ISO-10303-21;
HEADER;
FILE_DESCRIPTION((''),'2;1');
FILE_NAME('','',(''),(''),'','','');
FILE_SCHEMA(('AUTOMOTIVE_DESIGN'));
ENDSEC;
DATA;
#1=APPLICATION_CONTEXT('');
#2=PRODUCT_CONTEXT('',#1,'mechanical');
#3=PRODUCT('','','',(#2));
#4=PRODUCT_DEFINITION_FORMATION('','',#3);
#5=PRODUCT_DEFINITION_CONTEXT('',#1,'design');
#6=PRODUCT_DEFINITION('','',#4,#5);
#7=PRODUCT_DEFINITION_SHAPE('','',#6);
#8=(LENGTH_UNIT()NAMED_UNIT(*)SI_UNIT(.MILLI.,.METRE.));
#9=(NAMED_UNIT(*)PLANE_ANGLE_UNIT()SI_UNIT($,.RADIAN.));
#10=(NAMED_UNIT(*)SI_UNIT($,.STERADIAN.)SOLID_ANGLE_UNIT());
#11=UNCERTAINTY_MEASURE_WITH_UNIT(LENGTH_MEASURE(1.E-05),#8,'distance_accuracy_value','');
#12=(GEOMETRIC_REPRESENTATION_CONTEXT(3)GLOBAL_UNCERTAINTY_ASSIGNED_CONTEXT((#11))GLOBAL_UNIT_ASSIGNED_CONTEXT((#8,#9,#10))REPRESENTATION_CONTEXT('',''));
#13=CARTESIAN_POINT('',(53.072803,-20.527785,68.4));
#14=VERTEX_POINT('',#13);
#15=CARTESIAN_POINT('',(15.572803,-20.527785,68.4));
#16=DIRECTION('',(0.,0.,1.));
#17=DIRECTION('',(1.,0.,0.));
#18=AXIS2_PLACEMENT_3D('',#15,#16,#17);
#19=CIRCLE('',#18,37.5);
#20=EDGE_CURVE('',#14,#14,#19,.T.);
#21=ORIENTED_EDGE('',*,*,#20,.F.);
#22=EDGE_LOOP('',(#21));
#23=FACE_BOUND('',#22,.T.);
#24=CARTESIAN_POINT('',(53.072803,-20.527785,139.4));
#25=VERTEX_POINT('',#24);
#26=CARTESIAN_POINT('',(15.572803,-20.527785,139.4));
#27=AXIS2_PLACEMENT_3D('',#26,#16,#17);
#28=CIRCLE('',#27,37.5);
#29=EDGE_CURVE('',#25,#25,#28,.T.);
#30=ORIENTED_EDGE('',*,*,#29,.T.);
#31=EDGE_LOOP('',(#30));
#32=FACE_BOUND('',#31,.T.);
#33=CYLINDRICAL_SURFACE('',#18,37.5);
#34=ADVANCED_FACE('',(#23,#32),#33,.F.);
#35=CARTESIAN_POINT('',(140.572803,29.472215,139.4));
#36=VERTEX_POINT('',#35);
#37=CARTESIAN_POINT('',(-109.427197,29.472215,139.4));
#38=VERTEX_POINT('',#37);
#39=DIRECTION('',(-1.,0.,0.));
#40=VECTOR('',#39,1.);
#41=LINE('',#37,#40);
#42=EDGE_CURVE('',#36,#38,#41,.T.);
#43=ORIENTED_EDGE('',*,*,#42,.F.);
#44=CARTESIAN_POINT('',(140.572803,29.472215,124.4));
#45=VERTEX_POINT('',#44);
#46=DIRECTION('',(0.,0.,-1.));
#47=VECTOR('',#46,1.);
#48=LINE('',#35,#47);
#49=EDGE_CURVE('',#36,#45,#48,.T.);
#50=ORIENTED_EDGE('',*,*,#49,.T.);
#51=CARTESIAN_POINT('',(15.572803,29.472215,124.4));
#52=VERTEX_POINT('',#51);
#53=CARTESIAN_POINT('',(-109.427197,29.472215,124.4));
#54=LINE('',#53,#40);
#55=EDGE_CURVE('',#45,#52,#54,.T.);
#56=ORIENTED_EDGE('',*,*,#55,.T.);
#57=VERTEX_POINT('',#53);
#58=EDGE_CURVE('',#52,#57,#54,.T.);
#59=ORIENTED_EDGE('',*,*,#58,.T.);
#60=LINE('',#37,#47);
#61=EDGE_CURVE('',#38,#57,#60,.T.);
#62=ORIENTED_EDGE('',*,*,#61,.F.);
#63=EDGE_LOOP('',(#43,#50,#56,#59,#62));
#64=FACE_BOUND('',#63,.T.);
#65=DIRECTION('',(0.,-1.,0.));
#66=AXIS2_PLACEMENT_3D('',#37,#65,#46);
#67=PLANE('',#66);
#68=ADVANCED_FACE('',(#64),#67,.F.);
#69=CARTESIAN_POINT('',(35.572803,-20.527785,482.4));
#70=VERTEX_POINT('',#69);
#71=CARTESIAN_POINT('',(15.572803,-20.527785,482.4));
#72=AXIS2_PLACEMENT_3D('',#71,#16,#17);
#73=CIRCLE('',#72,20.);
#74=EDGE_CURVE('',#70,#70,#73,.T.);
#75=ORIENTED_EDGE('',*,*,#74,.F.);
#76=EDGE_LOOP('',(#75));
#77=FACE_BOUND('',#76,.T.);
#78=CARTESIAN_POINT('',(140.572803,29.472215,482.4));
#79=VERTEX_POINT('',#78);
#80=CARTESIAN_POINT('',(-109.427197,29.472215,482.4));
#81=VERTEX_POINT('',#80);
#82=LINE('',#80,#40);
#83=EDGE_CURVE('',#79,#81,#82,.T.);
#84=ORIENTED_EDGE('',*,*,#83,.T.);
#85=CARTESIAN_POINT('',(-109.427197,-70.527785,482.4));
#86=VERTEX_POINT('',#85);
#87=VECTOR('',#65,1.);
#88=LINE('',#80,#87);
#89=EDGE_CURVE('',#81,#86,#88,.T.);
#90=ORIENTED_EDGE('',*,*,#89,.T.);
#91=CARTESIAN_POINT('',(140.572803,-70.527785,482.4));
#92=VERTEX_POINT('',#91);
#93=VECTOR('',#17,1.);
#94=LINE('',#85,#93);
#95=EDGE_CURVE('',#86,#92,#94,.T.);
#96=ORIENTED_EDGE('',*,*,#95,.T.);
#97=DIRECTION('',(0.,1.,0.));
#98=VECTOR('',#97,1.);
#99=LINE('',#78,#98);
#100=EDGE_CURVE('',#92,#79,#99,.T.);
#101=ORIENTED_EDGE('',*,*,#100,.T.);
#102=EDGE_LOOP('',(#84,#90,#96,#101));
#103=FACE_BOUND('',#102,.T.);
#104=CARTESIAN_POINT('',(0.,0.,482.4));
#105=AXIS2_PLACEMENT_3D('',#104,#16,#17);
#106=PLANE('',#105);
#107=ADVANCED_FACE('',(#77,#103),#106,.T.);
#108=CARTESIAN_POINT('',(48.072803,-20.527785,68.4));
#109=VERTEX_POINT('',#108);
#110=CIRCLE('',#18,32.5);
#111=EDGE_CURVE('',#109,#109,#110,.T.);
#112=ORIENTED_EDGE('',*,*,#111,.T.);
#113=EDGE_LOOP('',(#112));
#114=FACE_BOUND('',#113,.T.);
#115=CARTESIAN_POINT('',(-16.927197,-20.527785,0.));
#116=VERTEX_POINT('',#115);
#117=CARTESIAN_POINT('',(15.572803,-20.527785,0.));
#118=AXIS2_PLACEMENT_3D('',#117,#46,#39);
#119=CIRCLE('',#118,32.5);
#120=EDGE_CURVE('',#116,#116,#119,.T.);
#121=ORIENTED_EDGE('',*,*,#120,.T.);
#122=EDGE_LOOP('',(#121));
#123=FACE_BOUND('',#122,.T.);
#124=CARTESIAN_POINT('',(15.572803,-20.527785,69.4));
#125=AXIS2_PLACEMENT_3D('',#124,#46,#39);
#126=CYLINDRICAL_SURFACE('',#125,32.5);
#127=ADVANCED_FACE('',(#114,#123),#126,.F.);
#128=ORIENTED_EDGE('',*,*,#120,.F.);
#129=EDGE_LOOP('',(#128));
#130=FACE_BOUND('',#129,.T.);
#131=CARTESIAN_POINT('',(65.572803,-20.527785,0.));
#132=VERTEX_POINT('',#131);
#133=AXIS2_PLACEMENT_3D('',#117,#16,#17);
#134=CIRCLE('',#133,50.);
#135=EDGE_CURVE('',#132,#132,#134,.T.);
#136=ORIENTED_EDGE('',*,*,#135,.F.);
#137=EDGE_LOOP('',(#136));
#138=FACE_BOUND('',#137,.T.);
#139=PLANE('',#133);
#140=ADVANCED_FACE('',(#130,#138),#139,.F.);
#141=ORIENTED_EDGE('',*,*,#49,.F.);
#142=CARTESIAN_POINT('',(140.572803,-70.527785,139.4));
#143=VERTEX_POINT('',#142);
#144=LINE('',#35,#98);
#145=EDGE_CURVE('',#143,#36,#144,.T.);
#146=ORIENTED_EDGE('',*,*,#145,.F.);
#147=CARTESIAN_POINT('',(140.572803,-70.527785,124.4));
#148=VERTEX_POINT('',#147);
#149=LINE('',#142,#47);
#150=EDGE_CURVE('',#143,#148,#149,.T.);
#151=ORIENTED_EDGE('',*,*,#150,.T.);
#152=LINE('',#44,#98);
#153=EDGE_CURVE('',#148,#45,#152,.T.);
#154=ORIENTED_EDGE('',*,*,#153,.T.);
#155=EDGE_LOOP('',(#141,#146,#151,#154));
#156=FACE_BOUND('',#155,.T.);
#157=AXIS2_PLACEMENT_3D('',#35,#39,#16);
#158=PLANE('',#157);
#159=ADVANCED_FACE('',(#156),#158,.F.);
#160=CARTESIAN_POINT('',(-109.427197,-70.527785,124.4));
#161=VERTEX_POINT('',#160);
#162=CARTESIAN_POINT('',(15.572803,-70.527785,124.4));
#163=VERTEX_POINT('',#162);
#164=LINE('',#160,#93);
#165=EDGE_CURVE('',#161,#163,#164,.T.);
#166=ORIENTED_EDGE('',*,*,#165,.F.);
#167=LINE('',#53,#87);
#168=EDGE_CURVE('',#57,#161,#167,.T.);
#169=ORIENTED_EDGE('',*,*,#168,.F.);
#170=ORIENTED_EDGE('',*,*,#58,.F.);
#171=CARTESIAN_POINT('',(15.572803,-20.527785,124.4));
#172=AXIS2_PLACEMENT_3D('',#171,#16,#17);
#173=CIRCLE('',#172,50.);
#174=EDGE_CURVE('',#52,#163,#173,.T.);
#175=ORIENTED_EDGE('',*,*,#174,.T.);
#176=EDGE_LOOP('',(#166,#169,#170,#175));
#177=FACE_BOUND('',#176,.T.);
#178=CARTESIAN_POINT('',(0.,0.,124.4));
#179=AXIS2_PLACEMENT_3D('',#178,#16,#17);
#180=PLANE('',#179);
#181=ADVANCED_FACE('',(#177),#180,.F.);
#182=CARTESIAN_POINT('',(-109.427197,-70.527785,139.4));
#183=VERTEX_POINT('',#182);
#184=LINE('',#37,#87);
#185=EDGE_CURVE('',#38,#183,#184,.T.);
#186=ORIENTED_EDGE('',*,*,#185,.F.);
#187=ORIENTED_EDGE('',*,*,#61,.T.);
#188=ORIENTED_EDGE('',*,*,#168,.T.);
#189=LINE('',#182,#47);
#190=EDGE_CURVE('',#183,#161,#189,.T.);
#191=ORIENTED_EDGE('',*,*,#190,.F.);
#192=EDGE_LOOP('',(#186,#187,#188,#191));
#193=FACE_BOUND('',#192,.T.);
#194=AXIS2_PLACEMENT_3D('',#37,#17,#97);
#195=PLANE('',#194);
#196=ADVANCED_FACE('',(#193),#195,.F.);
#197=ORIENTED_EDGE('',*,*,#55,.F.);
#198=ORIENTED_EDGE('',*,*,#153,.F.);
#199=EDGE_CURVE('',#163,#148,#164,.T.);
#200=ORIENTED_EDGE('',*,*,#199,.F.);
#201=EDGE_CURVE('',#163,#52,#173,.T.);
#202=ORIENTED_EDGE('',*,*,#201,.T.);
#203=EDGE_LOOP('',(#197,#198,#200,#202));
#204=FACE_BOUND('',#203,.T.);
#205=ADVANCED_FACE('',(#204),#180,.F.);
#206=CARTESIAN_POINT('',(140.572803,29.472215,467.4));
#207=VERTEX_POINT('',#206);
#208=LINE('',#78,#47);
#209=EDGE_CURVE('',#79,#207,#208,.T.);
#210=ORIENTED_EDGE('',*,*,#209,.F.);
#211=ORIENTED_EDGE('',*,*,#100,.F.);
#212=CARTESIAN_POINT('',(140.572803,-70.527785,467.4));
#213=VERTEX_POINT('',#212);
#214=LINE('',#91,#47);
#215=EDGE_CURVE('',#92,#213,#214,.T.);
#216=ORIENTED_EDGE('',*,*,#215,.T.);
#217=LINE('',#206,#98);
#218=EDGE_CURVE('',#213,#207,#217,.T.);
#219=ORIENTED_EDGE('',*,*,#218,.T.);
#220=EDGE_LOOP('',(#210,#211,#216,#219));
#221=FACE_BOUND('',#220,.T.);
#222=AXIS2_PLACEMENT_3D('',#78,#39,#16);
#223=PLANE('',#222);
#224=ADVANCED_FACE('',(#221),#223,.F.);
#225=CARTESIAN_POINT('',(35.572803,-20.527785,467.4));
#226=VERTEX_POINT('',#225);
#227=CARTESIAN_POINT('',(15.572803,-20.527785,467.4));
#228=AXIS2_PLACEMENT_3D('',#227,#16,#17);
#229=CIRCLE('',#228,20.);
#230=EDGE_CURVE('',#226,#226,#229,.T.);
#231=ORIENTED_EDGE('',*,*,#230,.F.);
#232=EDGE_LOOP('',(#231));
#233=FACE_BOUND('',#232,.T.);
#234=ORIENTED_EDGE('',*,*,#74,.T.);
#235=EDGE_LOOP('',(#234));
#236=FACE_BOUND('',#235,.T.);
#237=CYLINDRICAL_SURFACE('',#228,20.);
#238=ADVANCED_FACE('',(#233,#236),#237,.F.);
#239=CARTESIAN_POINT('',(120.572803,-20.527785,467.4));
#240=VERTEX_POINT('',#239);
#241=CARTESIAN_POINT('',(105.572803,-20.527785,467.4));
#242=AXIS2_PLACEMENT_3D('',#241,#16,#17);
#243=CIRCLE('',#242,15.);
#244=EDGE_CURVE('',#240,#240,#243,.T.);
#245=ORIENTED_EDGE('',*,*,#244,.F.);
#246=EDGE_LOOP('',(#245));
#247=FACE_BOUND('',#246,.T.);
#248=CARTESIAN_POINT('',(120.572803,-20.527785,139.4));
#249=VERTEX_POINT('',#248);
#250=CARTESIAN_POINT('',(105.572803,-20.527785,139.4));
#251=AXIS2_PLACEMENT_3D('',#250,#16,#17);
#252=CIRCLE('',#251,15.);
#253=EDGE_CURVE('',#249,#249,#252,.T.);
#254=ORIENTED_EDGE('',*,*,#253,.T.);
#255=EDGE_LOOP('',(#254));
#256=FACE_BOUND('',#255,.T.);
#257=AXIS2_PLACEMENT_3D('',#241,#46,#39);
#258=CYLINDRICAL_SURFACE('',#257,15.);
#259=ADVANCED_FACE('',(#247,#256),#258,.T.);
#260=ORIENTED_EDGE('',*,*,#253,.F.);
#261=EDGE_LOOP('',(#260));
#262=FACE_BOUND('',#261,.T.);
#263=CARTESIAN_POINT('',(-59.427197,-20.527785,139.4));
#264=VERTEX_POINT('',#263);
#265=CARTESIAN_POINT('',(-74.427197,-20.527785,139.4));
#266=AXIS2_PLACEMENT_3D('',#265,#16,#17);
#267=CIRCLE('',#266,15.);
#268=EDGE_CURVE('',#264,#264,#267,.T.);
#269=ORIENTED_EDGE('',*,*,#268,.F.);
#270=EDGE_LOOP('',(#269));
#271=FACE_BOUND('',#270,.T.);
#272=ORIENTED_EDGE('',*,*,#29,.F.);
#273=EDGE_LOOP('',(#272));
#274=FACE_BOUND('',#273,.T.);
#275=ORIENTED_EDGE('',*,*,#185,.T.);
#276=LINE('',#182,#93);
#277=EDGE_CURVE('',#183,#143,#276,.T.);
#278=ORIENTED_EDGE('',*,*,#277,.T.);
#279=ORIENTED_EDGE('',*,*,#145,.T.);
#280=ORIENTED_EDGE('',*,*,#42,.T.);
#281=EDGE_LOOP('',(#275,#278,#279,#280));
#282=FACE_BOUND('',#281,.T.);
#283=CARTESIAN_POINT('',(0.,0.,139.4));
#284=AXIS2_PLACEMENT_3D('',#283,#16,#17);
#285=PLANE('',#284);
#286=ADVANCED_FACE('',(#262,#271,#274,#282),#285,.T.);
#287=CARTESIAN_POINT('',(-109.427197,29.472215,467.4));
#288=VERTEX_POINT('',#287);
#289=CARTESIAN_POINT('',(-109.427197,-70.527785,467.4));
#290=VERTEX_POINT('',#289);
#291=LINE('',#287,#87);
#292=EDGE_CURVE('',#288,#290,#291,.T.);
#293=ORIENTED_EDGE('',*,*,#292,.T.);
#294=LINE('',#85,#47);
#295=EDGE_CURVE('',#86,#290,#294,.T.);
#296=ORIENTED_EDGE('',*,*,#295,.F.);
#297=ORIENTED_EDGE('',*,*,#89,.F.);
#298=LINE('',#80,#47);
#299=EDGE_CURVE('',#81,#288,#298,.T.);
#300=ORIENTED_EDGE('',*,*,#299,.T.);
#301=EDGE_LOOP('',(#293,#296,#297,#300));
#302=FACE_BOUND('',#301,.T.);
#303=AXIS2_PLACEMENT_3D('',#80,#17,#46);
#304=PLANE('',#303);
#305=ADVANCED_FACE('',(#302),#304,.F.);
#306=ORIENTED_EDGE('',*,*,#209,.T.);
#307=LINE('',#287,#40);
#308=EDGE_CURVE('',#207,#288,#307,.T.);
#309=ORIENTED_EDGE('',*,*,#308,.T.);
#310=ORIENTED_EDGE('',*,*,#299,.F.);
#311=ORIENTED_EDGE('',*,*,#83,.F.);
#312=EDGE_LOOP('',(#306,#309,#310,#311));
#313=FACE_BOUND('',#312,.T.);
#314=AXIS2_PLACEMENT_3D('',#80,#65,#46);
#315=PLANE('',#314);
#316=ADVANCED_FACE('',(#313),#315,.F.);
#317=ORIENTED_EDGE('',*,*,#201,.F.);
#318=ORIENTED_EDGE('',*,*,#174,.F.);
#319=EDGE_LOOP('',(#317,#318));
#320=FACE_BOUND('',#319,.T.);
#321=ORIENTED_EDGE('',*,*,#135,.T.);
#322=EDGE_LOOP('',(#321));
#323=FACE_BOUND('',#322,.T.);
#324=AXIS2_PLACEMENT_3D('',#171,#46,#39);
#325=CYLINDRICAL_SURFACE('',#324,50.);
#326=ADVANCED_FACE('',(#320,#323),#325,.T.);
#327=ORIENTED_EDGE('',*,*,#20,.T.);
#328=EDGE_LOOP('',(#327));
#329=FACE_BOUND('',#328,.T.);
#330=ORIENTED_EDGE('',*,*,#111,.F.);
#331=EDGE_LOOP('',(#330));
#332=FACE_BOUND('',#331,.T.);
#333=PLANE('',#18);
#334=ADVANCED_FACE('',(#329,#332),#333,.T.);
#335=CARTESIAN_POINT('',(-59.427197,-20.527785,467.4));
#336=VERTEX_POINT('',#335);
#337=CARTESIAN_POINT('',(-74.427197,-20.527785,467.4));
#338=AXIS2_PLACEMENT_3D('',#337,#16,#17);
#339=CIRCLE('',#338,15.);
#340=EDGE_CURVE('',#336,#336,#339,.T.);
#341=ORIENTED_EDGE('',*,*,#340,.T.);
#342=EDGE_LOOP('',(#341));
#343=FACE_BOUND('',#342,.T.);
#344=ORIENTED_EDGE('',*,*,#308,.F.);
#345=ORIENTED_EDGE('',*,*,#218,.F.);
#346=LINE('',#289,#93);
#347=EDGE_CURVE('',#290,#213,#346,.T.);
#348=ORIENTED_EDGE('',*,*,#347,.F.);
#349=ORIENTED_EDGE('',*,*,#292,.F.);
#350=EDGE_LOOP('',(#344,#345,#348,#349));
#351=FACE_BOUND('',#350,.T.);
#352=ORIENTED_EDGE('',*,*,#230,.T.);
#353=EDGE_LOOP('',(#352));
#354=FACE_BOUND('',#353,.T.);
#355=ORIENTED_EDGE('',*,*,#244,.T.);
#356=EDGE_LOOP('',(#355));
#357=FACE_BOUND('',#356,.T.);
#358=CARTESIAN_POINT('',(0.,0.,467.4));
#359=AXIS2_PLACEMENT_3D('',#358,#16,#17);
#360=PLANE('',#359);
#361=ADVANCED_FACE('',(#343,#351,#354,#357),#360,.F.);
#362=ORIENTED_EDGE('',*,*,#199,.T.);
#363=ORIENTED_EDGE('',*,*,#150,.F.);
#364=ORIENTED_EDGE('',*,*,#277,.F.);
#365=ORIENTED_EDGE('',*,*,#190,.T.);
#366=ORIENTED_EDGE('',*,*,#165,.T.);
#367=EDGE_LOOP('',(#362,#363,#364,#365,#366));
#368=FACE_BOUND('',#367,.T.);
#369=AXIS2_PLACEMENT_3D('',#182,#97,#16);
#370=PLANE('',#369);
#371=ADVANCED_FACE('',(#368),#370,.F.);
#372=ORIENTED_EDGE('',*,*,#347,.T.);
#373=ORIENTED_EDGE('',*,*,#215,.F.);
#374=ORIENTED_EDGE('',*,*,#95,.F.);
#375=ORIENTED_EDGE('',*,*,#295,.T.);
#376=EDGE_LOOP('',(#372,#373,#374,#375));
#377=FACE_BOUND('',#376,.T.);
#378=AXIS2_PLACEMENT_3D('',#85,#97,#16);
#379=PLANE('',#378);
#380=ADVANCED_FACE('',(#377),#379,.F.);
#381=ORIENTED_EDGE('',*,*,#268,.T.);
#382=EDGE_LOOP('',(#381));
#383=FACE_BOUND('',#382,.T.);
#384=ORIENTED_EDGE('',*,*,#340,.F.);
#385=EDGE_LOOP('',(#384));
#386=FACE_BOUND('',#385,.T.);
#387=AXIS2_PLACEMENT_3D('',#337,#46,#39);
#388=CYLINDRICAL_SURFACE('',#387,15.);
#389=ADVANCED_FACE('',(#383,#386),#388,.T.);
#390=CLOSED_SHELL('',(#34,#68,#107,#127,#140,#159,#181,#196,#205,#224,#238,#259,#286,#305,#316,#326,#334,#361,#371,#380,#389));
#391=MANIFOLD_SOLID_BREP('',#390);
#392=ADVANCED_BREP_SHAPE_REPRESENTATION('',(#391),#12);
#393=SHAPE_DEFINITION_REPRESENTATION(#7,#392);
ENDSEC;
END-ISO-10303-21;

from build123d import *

# Parameters (mm, degrees)
SKETCH7_R           = 50
BOSS_EXTRUDE3_DEPTH = 124.4
SKETCH8_R           = 37.5
CUT_EXTRUDE3_DEPTH  = 56
SKETCH9_R           = 32.5
CUT_EXTRUDE4_DEPTH  = 69.4
SKETCH10_W          = 250
SKETCH10_H          = 100
BOSS_EXTRUDE4_DEPTH = 15
SKETCH11_R          = 37.5
CUT_EXTRUDE5_DEPTH  = 15
SKETCH12_R          = 15
BOSS_EXTRUDE5_DEPTH = 328
LPATTERN1_COUNT     = 2
LPATTERN1_PITCH     = 180
SKETCH13_W          = 250
SKETCH13_H          = 100
BOSS_EXTRUDE6_DEPTH = 15
SKETCH15_R          = 20
CUT_EXTRUDE6_DEPTH  = 15


with BuildPart() as part:
    # Sketch7 → Boss-Extrude3 (new body)
    with BuildSketch(Plane.XY):
        with Locations((15.572802758, -20.527785454)):
            Circle(SKETCH7_R)
    extrude(amount=BOSS_EXTRUDE3_DEPTH)

    # Sketch8 → Cut-Extrude3 (cut)
    with BuildSketch(Plane.XY.offset(124.4)):
        with Locations((15.572802758, -20.527785454)):
            Circle(SKETCH8_R)
    extrude(amount=-CUT_EXTRUDE3_DEPTH, mode=Mode.SUBTRACT)

    # Sketch9 → Cut-Extrude4 (cut)
    with BuildSketch(Plane(origin=(0, 0, 0), x_dir=(-1, 0, 0), z_dir=(0, 0, -1))):
        with Locations((-15.572802758, -20.527785454)):
            Circle(SKETCH9_R)
    extrude(amount=-CUT_EXTRUDE4_DEPTH, mode=Mode.SUBTRACT)

    # Sketch10 → Boss-Extrude4 (add)
    with BuildSketch(Plane.XY.offset(124.4)):
        with Locations((15.572802758, -20.527785454)):
            Rectangle(SKETCH10_W, SKETCH10_H)
    extrude(amount=BOSS_EXTRUDE4_DEPTH)

    # Sketch11 → Cut-Extrude5 (cut)
    with BuildSketch(Plane.XY.offset(139.4)):
        with Locations((15.572802758, -20.527785454)):
            Circle(SKETCH11_R)
    extrude(amount=-CUT_EXTRUDE5_DEPTH, mode=Mode.SUBTRACT)

    # Sketch12 → Boss-Extrude5 (add)
    with BuildSketch(Plane.XY.offset(139.4)):
        with Locations((105.572802758, -20.527785454)):
            Circle(SKETCH12_R)
    boss_extrude5 = extrude(amount=BOSS_EXTRUDE5_DEPTH)

    # LPattern1: Boss-Extrude5 ×2
    with Locations(*[(-i * LPATTERN1_PITCH, 0, 0) for i in range(1, LPATTERN1_COUNT)]):
        add(boss_extrude5)

    # Sketch13 → Boss-Extrude6 (add)
    with BuildSketch(Plane.XY.offset(467.4)):
        with Locations((15.572802758, -20.527785454)):
            Rectangle(SKETCH13_W, SKETCH13_H)
    extrude(amount=BOSS_EXTRUDE6_DEPTH)

    # Sketch15 → Cut-Extrude6 (cut)
    with BuildSketch(Plane.XY.offset(482.4)):
        with Locations((15.572802758, -20.527785454)):
            Circle(SKETCH15_R)
    extrude(amount=-CUT_EXTRUDE6_DEPTH, mode=Mode.SUBTRACT)


solid = part.part
